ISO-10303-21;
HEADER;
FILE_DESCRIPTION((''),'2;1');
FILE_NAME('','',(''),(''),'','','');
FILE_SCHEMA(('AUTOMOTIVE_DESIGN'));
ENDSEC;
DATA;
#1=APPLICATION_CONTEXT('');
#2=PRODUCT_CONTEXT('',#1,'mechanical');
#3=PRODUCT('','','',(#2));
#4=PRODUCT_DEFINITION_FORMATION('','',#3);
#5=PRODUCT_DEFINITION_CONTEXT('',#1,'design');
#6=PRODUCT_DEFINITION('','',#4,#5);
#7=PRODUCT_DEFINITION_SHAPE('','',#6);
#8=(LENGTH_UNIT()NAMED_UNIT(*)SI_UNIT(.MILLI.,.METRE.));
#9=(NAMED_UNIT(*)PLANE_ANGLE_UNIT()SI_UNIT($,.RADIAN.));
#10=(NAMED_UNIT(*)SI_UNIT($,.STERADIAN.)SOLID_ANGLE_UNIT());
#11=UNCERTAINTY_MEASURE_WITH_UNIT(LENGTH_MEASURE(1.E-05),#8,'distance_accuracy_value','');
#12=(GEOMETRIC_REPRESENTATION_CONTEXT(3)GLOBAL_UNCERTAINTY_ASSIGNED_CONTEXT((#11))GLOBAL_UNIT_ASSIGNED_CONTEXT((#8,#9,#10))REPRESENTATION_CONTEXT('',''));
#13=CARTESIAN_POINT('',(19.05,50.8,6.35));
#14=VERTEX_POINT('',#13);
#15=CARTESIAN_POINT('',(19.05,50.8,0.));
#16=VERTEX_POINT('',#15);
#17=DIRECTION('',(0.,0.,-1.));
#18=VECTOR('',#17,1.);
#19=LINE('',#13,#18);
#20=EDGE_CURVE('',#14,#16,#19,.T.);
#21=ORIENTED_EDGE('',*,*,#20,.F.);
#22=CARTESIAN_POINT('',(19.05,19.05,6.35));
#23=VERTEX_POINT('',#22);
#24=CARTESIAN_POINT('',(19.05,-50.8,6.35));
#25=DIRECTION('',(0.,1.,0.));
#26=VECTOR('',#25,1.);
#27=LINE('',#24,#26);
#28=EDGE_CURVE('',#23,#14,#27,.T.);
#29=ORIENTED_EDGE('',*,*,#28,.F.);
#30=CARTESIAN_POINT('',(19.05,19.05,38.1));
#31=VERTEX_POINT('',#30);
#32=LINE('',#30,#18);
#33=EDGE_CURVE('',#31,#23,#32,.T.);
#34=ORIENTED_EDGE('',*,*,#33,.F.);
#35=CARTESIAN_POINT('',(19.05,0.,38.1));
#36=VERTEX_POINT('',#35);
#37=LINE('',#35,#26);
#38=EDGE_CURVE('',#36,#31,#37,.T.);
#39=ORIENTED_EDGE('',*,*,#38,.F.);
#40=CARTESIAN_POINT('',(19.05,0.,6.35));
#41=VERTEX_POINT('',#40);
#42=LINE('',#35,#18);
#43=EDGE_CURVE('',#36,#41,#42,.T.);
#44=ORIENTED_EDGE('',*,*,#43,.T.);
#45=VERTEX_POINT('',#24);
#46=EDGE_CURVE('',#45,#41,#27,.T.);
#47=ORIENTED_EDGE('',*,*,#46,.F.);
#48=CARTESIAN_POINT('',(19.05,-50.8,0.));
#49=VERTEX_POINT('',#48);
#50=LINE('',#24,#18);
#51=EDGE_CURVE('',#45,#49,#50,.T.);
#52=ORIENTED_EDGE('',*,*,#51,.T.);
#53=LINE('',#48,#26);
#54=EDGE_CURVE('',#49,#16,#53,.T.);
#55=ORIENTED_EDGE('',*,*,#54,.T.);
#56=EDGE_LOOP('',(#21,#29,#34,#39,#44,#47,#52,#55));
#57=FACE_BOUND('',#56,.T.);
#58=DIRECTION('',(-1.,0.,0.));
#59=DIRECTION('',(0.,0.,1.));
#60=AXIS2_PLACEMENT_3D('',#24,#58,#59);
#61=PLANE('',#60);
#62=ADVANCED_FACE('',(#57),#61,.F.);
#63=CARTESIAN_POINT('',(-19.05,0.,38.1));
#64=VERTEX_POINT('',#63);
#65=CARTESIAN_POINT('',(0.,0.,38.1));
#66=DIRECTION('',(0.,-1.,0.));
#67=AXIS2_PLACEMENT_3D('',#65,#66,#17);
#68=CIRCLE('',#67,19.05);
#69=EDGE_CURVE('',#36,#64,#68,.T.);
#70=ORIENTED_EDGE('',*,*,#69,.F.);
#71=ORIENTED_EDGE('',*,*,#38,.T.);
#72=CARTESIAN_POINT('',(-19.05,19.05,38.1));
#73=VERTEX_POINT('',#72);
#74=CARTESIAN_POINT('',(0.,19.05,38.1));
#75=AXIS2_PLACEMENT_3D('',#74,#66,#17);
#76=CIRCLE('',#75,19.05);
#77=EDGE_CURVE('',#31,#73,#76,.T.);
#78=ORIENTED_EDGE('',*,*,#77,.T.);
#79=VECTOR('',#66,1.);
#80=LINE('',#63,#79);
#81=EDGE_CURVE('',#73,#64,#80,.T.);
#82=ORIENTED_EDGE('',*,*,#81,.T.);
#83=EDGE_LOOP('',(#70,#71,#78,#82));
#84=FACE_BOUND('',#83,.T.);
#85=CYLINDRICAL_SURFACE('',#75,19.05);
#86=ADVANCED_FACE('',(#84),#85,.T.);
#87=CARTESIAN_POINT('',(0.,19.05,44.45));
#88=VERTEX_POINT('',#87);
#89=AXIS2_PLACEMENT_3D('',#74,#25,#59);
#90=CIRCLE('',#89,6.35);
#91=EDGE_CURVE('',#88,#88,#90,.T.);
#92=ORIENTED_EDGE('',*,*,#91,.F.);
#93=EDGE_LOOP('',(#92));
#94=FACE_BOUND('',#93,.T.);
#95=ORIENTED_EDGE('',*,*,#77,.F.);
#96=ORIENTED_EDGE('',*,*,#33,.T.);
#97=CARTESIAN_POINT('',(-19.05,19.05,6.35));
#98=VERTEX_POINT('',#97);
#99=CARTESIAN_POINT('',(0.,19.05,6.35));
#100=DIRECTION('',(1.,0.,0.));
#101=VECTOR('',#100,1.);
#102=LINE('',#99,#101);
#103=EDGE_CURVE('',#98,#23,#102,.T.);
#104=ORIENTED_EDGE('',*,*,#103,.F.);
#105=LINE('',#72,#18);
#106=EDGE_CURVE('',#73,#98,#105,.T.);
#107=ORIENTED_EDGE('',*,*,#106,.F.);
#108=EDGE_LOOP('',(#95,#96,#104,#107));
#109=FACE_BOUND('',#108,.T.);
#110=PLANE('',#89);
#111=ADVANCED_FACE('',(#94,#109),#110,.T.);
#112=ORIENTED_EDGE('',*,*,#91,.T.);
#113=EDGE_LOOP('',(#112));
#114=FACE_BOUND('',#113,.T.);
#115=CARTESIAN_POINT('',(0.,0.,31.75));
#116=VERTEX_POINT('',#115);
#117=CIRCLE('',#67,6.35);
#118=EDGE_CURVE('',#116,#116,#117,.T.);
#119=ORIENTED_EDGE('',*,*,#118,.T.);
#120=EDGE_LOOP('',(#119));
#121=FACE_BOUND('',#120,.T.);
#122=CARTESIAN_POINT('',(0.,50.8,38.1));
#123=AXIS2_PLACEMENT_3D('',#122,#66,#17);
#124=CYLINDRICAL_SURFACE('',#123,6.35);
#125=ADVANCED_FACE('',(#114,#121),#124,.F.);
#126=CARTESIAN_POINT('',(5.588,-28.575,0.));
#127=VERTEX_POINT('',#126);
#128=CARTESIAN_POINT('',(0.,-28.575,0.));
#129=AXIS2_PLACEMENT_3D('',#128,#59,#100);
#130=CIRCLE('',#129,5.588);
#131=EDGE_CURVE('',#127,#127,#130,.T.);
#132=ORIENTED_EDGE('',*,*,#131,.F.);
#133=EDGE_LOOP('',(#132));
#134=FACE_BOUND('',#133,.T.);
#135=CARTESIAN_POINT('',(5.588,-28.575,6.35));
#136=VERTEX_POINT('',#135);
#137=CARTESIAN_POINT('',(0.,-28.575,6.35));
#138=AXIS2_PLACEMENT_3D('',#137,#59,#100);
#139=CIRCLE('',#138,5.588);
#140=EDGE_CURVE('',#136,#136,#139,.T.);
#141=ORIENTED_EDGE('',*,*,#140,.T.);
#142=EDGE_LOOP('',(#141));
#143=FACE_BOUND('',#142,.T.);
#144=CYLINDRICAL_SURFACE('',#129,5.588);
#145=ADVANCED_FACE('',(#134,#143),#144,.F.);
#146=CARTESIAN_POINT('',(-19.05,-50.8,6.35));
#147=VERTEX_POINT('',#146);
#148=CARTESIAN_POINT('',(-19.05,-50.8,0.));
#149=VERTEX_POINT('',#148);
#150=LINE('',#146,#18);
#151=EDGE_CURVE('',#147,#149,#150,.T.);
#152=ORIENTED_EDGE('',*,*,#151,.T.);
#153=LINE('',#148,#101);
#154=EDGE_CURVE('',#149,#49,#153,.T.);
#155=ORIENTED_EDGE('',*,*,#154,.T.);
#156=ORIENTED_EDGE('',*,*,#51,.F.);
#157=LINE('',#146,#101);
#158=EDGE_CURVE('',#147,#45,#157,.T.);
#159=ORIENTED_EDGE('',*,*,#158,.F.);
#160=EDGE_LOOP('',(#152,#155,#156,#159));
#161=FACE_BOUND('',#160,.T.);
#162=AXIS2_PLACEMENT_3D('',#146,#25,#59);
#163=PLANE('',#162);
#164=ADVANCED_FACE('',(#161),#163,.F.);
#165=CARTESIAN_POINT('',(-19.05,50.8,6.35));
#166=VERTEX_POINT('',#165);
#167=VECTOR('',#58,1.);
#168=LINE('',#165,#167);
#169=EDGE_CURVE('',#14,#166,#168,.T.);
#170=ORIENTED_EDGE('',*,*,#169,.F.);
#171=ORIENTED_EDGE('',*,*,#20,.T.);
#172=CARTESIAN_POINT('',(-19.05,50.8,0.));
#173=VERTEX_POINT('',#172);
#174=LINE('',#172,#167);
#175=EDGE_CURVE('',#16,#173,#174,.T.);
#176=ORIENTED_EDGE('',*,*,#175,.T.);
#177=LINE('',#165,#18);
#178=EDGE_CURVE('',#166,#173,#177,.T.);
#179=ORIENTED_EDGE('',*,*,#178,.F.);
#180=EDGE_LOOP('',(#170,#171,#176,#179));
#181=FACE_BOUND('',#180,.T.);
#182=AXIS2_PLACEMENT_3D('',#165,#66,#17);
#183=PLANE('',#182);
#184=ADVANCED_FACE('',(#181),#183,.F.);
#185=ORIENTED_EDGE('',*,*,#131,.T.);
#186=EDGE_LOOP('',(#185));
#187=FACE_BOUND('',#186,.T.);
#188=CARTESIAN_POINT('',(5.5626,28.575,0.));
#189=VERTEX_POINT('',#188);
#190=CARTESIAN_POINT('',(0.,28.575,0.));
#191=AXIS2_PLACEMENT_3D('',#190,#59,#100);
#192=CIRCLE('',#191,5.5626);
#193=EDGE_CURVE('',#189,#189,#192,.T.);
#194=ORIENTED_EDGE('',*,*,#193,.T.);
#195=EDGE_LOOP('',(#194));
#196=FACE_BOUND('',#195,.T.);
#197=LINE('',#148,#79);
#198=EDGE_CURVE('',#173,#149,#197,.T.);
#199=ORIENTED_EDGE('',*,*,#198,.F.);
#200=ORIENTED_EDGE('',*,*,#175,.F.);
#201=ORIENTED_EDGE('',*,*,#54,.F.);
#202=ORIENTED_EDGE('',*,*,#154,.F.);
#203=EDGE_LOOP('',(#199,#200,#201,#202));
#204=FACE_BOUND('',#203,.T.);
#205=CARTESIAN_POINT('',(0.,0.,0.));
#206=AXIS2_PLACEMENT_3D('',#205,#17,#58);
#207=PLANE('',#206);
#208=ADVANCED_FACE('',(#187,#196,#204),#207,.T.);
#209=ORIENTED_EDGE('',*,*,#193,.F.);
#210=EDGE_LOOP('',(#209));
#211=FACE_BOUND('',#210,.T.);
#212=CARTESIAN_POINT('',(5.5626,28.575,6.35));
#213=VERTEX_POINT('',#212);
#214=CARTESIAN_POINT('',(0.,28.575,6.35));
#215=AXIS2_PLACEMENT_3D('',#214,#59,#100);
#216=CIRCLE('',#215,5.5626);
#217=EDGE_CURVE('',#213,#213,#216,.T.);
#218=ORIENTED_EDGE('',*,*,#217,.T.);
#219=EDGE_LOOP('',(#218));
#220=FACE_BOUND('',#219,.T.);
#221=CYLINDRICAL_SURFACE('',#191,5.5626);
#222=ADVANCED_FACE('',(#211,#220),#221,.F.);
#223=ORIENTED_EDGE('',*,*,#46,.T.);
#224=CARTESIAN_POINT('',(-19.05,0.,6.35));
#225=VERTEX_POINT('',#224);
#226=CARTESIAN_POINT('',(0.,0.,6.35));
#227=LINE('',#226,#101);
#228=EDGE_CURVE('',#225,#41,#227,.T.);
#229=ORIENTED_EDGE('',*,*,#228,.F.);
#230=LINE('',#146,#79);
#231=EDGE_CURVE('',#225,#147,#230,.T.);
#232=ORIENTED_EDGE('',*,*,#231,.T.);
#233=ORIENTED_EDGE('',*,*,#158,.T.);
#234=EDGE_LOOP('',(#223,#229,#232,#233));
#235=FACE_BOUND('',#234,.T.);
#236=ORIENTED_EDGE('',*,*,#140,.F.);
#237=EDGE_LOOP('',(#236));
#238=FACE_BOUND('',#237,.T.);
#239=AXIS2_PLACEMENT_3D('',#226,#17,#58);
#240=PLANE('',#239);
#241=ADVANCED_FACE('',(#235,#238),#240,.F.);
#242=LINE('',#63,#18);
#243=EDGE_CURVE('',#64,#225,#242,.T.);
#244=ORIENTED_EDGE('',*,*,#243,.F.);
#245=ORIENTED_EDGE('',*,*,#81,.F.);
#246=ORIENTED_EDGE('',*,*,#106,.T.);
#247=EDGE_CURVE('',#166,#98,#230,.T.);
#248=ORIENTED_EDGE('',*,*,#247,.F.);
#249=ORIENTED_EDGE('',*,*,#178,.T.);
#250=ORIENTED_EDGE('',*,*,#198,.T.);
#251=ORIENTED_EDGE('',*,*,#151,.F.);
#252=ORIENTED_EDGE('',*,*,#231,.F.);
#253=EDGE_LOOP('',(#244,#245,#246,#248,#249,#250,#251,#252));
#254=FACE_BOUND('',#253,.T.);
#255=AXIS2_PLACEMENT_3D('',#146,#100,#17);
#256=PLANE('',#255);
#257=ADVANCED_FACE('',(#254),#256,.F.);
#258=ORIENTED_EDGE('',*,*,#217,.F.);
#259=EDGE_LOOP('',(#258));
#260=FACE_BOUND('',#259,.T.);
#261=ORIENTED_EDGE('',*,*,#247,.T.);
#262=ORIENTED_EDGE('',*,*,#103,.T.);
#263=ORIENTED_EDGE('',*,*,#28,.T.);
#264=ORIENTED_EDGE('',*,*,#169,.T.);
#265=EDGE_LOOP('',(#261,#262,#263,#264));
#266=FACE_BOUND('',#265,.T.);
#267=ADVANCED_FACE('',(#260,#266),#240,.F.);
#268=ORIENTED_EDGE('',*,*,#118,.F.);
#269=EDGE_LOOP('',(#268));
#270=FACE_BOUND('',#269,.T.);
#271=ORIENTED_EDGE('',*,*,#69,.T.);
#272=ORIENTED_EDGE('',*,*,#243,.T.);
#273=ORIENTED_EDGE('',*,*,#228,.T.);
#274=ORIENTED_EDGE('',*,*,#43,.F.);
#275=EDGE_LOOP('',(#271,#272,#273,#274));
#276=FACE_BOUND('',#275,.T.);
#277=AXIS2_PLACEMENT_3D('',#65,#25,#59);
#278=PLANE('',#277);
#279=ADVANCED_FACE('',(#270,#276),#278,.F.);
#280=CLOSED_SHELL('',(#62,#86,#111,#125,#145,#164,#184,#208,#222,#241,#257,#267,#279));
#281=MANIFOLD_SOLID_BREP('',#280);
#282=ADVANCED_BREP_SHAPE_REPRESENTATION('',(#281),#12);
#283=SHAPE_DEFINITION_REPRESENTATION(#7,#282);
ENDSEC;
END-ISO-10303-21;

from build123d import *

# Parameters (mm, degrees)
SKETCH1_W           = 38.1
SKETCH1_H           = 101.6
BOSS_EXTRUDE1_DEPTH = 6.35
SKETCH2_R           = 5.5626
SKETCH2_R_2         = 5.588
CUT_EXTRUDE1_DEPTH  = 55.624765446
SKETCH3_W           = 38.1
SKETCH3_H           = 19.05
BOSS_EXTRUDE2_DEPTH = 31.75
BOSS_EXTRUDE3_DEPTH = 19.05
SKETCH5_R           = 6.35
CUT_EXTRUDE2_DEPTH  = 79.801427652


with BuildPart() as part:
    # Sketch1 → Boss-Extrude1 (new body)
    with BuildSketch(Plane.XY):
        Rectangle(SKETCH1_W, SKETCH1_H)
    extrude(amount=BOSS_EXTRUDE1_DEPTH)

    # Sketch2 → Cut-Extrude1 (cut, through all)
    with BuildSketch(Plane.XY.offset(6.35)):
        with Locations((0, 28.575)):
            Circle(SKETCH2_R)
        with Locations((0, -28.575)):
            Circle(SKETCH2_R_2)
    extrude(amount=-CUT_EXTRUDE1_DEPTH, mode=Mode.SUBTRACT)

    # Sketch3 → Boss-Extrude2 (add)
    with BuildSketch(Plane.XY.offset(6.35)):
        with Locations((0, 9.525)):
            Rectangle(SKETCH3_W, SKETCH3_H)
    extrude(amount=BOSS_EXTRUDE2_DEPTH)

    # Sketch4 → Boss-Extrude3 (add)
    with BuildSketch(Plane.XZ):
        with BuildLine():
            Line((19.05, 38.1), (-19.05, 38.1))
            ThreePointArc((-19.05, 38.1), (0, 57.15), (19.05, 38.1))
        make_face()
    extrude(amount=-BOSS_EXTRUDE3_DEPTH)

    # Sketch5 → Cut-Extrude2 (cut, through all)
    with BuildSketch(Plane.XZ):
        with Locations(Location((0, 38.1, 0), (0, 0, 270))):
            Circle(SKETCH5_R)
    extrude(amount=-CUT_EXTRUDE2_DEPTH, mode=Mode.SUBTRACT)


solid = part.part
